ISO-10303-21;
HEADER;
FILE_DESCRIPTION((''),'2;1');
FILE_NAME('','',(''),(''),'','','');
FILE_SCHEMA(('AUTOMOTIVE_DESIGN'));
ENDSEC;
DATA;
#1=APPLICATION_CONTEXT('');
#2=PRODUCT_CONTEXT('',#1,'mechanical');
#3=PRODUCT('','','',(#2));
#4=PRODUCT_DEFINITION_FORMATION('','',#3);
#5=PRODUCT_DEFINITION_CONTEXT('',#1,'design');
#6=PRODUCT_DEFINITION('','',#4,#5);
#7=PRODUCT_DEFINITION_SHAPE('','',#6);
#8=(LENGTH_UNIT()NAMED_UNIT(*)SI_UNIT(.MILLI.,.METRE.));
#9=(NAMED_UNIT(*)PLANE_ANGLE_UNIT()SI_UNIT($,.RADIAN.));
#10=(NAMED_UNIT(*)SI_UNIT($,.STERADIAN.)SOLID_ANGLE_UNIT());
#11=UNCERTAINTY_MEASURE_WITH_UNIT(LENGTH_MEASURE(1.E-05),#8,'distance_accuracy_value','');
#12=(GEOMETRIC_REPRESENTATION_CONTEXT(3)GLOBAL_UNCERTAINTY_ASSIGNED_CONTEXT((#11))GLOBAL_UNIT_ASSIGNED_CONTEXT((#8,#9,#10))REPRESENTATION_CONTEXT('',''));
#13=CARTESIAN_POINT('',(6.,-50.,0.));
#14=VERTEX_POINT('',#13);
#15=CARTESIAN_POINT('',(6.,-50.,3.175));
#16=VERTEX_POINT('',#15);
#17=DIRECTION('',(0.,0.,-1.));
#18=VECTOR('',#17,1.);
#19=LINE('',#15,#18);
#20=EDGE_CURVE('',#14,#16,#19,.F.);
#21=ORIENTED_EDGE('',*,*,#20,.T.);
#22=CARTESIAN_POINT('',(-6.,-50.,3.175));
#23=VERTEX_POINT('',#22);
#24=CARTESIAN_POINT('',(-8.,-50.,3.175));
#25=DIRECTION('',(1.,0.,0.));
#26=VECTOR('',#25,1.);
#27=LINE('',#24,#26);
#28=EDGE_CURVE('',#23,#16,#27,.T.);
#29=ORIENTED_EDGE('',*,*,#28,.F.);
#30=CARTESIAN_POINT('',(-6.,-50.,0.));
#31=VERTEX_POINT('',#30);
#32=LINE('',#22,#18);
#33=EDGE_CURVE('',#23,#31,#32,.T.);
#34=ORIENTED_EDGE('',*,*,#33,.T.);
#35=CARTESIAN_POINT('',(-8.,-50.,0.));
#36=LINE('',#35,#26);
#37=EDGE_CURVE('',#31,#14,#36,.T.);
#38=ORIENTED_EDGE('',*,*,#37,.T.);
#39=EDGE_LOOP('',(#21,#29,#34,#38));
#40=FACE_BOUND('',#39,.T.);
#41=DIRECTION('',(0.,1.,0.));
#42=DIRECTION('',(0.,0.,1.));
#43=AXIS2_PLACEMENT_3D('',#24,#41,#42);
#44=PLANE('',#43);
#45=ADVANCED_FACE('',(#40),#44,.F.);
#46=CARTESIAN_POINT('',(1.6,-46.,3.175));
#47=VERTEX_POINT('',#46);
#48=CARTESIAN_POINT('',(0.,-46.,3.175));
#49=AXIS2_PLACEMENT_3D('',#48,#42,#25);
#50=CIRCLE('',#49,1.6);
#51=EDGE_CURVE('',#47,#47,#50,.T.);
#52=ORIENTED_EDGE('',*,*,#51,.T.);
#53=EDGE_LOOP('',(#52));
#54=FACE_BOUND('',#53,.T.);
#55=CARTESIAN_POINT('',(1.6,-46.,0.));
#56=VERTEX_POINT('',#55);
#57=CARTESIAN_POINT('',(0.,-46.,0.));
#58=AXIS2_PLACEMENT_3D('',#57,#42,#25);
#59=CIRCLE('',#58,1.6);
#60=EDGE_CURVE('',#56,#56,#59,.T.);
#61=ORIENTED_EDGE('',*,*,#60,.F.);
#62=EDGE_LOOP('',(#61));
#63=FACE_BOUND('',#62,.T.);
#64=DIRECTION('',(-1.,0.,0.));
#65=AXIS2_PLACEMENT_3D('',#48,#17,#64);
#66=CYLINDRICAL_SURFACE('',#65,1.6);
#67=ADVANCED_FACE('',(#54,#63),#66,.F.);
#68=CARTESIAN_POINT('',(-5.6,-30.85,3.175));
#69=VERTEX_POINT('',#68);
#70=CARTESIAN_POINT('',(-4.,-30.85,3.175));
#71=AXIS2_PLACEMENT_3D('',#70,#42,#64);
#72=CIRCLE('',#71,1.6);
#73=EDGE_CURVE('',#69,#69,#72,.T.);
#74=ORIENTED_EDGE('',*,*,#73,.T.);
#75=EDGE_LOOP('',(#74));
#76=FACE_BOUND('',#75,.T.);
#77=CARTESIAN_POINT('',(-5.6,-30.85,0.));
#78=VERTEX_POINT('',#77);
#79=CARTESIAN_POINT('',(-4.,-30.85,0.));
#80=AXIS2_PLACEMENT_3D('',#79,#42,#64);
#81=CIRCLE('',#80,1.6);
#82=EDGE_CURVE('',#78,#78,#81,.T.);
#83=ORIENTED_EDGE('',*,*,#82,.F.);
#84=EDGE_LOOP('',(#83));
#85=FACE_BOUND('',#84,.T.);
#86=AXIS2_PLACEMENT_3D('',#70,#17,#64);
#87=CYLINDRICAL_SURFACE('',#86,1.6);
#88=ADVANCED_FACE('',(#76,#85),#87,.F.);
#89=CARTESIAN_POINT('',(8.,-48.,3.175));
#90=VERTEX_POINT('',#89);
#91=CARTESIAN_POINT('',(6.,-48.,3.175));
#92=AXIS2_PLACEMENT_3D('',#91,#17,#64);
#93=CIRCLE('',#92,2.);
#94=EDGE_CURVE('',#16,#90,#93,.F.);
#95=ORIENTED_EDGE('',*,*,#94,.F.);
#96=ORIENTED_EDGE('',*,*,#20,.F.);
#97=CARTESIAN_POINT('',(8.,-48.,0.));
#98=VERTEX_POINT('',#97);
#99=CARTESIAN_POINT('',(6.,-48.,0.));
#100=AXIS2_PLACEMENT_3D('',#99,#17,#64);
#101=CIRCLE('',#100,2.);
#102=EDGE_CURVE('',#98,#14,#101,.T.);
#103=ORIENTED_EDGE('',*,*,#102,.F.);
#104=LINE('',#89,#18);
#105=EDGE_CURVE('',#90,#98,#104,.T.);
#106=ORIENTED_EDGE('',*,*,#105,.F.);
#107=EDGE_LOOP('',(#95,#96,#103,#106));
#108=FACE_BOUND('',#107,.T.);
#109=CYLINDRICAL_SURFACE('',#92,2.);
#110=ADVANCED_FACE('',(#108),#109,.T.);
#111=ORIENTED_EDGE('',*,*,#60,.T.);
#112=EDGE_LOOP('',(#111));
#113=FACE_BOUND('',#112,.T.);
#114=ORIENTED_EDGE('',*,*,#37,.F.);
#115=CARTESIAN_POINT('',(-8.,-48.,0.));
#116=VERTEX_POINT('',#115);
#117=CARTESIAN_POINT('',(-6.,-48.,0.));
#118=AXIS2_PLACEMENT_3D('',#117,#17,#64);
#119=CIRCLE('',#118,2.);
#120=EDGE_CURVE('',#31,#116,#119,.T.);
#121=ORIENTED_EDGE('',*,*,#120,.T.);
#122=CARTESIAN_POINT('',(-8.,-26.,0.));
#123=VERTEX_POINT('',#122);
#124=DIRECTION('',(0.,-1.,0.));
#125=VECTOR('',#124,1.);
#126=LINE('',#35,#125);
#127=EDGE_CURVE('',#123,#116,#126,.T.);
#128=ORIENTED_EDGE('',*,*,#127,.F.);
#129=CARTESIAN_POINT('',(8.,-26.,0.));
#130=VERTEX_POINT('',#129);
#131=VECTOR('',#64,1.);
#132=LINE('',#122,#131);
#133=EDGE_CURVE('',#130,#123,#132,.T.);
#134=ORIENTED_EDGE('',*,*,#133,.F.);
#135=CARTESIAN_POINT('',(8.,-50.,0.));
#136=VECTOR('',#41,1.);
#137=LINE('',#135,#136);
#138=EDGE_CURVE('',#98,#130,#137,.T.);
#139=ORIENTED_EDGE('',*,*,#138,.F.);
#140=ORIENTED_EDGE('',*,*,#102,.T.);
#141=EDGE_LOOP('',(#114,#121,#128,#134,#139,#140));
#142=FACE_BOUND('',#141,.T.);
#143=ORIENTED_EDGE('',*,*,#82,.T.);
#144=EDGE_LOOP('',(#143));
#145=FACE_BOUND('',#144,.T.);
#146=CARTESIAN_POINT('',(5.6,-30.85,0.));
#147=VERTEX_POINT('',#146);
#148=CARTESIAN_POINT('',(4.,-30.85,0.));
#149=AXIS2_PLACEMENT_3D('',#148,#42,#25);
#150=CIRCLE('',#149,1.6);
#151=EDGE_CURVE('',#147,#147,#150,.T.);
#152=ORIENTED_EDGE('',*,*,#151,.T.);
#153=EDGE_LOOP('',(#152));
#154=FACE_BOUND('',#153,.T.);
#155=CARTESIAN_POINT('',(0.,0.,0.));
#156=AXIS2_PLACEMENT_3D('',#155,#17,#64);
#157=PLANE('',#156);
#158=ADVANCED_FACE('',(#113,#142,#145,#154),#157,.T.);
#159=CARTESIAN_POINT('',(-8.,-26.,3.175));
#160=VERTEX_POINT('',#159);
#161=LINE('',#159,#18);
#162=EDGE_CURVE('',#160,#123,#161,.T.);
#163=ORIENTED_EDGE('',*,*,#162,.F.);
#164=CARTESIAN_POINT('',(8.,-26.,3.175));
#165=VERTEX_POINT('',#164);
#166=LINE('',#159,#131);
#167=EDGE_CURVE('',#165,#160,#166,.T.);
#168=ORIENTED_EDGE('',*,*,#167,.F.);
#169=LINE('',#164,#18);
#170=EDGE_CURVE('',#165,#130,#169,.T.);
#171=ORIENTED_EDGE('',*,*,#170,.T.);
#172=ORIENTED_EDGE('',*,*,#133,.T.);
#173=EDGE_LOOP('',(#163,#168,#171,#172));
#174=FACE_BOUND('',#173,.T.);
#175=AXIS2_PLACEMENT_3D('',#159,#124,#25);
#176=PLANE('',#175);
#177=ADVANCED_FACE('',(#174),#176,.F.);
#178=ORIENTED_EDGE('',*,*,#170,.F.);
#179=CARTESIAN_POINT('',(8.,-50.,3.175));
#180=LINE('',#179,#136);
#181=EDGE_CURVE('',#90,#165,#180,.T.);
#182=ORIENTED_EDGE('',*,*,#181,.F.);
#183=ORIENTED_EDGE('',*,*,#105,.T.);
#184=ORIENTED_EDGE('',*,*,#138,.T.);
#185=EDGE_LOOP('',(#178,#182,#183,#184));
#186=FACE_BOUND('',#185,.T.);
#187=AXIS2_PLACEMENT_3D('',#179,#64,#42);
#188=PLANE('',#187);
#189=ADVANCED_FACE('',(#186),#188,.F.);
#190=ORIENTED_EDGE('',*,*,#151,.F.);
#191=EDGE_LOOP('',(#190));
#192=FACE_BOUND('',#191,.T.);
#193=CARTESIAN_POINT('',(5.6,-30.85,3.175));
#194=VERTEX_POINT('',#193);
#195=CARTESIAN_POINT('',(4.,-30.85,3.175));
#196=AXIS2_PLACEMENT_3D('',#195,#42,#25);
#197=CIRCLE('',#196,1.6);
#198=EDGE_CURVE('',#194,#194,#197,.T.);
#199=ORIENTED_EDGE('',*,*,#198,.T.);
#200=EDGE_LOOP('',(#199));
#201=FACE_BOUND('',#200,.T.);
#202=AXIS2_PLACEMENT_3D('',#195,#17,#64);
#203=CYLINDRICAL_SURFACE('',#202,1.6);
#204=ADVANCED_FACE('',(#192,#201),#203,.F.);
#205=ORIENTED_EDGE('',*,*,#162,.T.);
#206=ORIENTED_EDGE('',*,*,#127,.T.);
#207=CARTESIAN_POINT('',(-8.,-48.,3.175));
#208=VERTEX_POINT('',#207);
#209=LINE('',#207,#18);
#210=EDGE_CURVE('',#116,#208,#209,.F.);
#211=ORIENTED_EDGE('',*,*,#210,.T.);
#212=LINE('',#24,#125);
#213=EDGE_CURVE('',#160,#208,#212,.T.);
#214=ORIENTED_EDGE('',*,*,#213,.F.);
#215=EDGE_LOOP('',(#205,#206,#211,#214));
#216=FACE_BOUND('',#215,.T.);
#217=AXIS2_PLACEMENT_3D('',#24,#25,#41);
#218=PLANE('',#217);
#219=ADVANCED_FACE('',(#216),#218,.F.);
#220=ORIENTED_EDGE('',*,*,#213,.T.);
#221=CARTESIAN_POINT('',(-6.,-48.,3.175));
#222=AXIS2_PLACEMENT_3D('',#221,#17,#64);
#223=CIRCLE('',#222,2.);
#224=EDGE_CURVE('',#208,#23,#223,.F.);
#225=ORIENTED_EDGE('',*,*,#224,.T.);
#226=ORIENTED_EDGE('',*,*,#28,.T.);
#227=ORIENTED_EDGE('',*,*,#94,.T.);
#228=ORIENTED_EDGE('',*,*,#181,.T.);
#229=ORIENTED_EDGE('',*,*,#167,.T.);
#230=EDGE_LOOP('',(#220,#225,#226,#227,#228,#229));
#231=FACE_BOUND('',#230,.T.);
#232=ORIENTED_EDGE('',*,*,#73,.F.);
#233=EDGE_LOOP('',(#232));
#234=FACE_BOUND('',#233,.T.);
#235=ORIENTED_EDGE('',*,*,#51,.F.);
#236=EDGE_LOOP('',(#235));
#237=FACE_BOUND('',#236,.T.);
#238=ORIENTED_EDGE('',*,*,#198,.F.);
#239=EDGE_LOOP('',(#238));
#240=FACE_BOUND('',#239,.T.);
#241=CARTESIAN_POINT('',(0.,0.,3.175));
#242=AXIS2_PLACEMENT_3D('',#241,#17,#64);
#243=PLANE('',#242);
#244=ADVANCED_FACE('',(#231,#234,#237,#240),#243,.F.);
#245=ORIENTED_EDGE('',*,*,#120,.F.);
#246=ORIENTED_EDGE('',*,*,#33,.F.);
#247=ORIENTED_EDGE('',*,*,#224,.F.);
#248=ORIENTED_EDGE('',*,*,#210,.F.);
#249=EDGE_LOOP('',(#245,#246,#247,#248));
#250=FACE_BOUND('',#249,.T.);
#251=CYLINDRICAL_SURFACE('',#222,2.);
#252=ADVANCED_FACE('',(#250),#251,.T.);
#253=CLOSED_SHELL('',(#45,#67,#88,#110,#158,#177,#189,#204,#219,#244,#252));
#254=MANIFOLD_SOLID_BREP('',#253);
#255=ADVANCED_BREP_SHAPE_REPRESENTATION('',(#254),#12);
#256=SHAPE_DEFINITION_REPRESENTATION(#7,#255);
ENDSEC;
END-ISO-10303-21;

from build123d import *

# Parameters (mm, degrees)
SKETCH1_W           = 16
SKETCH1_H           = 24
SKETCH1_R           = 1.6
BOSS_EXTRUDE1_DEPTH = 3.175
FILLET1_R           = 2


with BuildPart() as part:
    # Sketch1 → Boss-Extrude1 (new body)
    with BuildSketch(Plane.XY):
        with Locations((0, -38)):
            Rectangle(SKETCH1_W, SKETCH1_H)
        with Locations((4, -30.85)):
            Circle(SKETCH1_R, mode=Mode.SUBTRACT)
        with Locations(Location((-4, -30.85, 0), (0, 0, 180))):
            Circle(SKETCH1_R, mode=Mode.SUBTRACT)
        with Locations((0, -46)):
            Circle(SKETCH1_R, mode=Mode.SUBTRACT)
    extrude(amount=BOSS_EXTRUDE1_DEPTH)

    # Fillet1
    fillet1_edges = [part.edges().sort_by_distance(p)[0] for p in [
        (8, -50, 1.5875),
        (-8, -50, 1.5875),
    ]]
    fillet(fillet1_edges, radius=FILLET1_R)


solid = part.part
